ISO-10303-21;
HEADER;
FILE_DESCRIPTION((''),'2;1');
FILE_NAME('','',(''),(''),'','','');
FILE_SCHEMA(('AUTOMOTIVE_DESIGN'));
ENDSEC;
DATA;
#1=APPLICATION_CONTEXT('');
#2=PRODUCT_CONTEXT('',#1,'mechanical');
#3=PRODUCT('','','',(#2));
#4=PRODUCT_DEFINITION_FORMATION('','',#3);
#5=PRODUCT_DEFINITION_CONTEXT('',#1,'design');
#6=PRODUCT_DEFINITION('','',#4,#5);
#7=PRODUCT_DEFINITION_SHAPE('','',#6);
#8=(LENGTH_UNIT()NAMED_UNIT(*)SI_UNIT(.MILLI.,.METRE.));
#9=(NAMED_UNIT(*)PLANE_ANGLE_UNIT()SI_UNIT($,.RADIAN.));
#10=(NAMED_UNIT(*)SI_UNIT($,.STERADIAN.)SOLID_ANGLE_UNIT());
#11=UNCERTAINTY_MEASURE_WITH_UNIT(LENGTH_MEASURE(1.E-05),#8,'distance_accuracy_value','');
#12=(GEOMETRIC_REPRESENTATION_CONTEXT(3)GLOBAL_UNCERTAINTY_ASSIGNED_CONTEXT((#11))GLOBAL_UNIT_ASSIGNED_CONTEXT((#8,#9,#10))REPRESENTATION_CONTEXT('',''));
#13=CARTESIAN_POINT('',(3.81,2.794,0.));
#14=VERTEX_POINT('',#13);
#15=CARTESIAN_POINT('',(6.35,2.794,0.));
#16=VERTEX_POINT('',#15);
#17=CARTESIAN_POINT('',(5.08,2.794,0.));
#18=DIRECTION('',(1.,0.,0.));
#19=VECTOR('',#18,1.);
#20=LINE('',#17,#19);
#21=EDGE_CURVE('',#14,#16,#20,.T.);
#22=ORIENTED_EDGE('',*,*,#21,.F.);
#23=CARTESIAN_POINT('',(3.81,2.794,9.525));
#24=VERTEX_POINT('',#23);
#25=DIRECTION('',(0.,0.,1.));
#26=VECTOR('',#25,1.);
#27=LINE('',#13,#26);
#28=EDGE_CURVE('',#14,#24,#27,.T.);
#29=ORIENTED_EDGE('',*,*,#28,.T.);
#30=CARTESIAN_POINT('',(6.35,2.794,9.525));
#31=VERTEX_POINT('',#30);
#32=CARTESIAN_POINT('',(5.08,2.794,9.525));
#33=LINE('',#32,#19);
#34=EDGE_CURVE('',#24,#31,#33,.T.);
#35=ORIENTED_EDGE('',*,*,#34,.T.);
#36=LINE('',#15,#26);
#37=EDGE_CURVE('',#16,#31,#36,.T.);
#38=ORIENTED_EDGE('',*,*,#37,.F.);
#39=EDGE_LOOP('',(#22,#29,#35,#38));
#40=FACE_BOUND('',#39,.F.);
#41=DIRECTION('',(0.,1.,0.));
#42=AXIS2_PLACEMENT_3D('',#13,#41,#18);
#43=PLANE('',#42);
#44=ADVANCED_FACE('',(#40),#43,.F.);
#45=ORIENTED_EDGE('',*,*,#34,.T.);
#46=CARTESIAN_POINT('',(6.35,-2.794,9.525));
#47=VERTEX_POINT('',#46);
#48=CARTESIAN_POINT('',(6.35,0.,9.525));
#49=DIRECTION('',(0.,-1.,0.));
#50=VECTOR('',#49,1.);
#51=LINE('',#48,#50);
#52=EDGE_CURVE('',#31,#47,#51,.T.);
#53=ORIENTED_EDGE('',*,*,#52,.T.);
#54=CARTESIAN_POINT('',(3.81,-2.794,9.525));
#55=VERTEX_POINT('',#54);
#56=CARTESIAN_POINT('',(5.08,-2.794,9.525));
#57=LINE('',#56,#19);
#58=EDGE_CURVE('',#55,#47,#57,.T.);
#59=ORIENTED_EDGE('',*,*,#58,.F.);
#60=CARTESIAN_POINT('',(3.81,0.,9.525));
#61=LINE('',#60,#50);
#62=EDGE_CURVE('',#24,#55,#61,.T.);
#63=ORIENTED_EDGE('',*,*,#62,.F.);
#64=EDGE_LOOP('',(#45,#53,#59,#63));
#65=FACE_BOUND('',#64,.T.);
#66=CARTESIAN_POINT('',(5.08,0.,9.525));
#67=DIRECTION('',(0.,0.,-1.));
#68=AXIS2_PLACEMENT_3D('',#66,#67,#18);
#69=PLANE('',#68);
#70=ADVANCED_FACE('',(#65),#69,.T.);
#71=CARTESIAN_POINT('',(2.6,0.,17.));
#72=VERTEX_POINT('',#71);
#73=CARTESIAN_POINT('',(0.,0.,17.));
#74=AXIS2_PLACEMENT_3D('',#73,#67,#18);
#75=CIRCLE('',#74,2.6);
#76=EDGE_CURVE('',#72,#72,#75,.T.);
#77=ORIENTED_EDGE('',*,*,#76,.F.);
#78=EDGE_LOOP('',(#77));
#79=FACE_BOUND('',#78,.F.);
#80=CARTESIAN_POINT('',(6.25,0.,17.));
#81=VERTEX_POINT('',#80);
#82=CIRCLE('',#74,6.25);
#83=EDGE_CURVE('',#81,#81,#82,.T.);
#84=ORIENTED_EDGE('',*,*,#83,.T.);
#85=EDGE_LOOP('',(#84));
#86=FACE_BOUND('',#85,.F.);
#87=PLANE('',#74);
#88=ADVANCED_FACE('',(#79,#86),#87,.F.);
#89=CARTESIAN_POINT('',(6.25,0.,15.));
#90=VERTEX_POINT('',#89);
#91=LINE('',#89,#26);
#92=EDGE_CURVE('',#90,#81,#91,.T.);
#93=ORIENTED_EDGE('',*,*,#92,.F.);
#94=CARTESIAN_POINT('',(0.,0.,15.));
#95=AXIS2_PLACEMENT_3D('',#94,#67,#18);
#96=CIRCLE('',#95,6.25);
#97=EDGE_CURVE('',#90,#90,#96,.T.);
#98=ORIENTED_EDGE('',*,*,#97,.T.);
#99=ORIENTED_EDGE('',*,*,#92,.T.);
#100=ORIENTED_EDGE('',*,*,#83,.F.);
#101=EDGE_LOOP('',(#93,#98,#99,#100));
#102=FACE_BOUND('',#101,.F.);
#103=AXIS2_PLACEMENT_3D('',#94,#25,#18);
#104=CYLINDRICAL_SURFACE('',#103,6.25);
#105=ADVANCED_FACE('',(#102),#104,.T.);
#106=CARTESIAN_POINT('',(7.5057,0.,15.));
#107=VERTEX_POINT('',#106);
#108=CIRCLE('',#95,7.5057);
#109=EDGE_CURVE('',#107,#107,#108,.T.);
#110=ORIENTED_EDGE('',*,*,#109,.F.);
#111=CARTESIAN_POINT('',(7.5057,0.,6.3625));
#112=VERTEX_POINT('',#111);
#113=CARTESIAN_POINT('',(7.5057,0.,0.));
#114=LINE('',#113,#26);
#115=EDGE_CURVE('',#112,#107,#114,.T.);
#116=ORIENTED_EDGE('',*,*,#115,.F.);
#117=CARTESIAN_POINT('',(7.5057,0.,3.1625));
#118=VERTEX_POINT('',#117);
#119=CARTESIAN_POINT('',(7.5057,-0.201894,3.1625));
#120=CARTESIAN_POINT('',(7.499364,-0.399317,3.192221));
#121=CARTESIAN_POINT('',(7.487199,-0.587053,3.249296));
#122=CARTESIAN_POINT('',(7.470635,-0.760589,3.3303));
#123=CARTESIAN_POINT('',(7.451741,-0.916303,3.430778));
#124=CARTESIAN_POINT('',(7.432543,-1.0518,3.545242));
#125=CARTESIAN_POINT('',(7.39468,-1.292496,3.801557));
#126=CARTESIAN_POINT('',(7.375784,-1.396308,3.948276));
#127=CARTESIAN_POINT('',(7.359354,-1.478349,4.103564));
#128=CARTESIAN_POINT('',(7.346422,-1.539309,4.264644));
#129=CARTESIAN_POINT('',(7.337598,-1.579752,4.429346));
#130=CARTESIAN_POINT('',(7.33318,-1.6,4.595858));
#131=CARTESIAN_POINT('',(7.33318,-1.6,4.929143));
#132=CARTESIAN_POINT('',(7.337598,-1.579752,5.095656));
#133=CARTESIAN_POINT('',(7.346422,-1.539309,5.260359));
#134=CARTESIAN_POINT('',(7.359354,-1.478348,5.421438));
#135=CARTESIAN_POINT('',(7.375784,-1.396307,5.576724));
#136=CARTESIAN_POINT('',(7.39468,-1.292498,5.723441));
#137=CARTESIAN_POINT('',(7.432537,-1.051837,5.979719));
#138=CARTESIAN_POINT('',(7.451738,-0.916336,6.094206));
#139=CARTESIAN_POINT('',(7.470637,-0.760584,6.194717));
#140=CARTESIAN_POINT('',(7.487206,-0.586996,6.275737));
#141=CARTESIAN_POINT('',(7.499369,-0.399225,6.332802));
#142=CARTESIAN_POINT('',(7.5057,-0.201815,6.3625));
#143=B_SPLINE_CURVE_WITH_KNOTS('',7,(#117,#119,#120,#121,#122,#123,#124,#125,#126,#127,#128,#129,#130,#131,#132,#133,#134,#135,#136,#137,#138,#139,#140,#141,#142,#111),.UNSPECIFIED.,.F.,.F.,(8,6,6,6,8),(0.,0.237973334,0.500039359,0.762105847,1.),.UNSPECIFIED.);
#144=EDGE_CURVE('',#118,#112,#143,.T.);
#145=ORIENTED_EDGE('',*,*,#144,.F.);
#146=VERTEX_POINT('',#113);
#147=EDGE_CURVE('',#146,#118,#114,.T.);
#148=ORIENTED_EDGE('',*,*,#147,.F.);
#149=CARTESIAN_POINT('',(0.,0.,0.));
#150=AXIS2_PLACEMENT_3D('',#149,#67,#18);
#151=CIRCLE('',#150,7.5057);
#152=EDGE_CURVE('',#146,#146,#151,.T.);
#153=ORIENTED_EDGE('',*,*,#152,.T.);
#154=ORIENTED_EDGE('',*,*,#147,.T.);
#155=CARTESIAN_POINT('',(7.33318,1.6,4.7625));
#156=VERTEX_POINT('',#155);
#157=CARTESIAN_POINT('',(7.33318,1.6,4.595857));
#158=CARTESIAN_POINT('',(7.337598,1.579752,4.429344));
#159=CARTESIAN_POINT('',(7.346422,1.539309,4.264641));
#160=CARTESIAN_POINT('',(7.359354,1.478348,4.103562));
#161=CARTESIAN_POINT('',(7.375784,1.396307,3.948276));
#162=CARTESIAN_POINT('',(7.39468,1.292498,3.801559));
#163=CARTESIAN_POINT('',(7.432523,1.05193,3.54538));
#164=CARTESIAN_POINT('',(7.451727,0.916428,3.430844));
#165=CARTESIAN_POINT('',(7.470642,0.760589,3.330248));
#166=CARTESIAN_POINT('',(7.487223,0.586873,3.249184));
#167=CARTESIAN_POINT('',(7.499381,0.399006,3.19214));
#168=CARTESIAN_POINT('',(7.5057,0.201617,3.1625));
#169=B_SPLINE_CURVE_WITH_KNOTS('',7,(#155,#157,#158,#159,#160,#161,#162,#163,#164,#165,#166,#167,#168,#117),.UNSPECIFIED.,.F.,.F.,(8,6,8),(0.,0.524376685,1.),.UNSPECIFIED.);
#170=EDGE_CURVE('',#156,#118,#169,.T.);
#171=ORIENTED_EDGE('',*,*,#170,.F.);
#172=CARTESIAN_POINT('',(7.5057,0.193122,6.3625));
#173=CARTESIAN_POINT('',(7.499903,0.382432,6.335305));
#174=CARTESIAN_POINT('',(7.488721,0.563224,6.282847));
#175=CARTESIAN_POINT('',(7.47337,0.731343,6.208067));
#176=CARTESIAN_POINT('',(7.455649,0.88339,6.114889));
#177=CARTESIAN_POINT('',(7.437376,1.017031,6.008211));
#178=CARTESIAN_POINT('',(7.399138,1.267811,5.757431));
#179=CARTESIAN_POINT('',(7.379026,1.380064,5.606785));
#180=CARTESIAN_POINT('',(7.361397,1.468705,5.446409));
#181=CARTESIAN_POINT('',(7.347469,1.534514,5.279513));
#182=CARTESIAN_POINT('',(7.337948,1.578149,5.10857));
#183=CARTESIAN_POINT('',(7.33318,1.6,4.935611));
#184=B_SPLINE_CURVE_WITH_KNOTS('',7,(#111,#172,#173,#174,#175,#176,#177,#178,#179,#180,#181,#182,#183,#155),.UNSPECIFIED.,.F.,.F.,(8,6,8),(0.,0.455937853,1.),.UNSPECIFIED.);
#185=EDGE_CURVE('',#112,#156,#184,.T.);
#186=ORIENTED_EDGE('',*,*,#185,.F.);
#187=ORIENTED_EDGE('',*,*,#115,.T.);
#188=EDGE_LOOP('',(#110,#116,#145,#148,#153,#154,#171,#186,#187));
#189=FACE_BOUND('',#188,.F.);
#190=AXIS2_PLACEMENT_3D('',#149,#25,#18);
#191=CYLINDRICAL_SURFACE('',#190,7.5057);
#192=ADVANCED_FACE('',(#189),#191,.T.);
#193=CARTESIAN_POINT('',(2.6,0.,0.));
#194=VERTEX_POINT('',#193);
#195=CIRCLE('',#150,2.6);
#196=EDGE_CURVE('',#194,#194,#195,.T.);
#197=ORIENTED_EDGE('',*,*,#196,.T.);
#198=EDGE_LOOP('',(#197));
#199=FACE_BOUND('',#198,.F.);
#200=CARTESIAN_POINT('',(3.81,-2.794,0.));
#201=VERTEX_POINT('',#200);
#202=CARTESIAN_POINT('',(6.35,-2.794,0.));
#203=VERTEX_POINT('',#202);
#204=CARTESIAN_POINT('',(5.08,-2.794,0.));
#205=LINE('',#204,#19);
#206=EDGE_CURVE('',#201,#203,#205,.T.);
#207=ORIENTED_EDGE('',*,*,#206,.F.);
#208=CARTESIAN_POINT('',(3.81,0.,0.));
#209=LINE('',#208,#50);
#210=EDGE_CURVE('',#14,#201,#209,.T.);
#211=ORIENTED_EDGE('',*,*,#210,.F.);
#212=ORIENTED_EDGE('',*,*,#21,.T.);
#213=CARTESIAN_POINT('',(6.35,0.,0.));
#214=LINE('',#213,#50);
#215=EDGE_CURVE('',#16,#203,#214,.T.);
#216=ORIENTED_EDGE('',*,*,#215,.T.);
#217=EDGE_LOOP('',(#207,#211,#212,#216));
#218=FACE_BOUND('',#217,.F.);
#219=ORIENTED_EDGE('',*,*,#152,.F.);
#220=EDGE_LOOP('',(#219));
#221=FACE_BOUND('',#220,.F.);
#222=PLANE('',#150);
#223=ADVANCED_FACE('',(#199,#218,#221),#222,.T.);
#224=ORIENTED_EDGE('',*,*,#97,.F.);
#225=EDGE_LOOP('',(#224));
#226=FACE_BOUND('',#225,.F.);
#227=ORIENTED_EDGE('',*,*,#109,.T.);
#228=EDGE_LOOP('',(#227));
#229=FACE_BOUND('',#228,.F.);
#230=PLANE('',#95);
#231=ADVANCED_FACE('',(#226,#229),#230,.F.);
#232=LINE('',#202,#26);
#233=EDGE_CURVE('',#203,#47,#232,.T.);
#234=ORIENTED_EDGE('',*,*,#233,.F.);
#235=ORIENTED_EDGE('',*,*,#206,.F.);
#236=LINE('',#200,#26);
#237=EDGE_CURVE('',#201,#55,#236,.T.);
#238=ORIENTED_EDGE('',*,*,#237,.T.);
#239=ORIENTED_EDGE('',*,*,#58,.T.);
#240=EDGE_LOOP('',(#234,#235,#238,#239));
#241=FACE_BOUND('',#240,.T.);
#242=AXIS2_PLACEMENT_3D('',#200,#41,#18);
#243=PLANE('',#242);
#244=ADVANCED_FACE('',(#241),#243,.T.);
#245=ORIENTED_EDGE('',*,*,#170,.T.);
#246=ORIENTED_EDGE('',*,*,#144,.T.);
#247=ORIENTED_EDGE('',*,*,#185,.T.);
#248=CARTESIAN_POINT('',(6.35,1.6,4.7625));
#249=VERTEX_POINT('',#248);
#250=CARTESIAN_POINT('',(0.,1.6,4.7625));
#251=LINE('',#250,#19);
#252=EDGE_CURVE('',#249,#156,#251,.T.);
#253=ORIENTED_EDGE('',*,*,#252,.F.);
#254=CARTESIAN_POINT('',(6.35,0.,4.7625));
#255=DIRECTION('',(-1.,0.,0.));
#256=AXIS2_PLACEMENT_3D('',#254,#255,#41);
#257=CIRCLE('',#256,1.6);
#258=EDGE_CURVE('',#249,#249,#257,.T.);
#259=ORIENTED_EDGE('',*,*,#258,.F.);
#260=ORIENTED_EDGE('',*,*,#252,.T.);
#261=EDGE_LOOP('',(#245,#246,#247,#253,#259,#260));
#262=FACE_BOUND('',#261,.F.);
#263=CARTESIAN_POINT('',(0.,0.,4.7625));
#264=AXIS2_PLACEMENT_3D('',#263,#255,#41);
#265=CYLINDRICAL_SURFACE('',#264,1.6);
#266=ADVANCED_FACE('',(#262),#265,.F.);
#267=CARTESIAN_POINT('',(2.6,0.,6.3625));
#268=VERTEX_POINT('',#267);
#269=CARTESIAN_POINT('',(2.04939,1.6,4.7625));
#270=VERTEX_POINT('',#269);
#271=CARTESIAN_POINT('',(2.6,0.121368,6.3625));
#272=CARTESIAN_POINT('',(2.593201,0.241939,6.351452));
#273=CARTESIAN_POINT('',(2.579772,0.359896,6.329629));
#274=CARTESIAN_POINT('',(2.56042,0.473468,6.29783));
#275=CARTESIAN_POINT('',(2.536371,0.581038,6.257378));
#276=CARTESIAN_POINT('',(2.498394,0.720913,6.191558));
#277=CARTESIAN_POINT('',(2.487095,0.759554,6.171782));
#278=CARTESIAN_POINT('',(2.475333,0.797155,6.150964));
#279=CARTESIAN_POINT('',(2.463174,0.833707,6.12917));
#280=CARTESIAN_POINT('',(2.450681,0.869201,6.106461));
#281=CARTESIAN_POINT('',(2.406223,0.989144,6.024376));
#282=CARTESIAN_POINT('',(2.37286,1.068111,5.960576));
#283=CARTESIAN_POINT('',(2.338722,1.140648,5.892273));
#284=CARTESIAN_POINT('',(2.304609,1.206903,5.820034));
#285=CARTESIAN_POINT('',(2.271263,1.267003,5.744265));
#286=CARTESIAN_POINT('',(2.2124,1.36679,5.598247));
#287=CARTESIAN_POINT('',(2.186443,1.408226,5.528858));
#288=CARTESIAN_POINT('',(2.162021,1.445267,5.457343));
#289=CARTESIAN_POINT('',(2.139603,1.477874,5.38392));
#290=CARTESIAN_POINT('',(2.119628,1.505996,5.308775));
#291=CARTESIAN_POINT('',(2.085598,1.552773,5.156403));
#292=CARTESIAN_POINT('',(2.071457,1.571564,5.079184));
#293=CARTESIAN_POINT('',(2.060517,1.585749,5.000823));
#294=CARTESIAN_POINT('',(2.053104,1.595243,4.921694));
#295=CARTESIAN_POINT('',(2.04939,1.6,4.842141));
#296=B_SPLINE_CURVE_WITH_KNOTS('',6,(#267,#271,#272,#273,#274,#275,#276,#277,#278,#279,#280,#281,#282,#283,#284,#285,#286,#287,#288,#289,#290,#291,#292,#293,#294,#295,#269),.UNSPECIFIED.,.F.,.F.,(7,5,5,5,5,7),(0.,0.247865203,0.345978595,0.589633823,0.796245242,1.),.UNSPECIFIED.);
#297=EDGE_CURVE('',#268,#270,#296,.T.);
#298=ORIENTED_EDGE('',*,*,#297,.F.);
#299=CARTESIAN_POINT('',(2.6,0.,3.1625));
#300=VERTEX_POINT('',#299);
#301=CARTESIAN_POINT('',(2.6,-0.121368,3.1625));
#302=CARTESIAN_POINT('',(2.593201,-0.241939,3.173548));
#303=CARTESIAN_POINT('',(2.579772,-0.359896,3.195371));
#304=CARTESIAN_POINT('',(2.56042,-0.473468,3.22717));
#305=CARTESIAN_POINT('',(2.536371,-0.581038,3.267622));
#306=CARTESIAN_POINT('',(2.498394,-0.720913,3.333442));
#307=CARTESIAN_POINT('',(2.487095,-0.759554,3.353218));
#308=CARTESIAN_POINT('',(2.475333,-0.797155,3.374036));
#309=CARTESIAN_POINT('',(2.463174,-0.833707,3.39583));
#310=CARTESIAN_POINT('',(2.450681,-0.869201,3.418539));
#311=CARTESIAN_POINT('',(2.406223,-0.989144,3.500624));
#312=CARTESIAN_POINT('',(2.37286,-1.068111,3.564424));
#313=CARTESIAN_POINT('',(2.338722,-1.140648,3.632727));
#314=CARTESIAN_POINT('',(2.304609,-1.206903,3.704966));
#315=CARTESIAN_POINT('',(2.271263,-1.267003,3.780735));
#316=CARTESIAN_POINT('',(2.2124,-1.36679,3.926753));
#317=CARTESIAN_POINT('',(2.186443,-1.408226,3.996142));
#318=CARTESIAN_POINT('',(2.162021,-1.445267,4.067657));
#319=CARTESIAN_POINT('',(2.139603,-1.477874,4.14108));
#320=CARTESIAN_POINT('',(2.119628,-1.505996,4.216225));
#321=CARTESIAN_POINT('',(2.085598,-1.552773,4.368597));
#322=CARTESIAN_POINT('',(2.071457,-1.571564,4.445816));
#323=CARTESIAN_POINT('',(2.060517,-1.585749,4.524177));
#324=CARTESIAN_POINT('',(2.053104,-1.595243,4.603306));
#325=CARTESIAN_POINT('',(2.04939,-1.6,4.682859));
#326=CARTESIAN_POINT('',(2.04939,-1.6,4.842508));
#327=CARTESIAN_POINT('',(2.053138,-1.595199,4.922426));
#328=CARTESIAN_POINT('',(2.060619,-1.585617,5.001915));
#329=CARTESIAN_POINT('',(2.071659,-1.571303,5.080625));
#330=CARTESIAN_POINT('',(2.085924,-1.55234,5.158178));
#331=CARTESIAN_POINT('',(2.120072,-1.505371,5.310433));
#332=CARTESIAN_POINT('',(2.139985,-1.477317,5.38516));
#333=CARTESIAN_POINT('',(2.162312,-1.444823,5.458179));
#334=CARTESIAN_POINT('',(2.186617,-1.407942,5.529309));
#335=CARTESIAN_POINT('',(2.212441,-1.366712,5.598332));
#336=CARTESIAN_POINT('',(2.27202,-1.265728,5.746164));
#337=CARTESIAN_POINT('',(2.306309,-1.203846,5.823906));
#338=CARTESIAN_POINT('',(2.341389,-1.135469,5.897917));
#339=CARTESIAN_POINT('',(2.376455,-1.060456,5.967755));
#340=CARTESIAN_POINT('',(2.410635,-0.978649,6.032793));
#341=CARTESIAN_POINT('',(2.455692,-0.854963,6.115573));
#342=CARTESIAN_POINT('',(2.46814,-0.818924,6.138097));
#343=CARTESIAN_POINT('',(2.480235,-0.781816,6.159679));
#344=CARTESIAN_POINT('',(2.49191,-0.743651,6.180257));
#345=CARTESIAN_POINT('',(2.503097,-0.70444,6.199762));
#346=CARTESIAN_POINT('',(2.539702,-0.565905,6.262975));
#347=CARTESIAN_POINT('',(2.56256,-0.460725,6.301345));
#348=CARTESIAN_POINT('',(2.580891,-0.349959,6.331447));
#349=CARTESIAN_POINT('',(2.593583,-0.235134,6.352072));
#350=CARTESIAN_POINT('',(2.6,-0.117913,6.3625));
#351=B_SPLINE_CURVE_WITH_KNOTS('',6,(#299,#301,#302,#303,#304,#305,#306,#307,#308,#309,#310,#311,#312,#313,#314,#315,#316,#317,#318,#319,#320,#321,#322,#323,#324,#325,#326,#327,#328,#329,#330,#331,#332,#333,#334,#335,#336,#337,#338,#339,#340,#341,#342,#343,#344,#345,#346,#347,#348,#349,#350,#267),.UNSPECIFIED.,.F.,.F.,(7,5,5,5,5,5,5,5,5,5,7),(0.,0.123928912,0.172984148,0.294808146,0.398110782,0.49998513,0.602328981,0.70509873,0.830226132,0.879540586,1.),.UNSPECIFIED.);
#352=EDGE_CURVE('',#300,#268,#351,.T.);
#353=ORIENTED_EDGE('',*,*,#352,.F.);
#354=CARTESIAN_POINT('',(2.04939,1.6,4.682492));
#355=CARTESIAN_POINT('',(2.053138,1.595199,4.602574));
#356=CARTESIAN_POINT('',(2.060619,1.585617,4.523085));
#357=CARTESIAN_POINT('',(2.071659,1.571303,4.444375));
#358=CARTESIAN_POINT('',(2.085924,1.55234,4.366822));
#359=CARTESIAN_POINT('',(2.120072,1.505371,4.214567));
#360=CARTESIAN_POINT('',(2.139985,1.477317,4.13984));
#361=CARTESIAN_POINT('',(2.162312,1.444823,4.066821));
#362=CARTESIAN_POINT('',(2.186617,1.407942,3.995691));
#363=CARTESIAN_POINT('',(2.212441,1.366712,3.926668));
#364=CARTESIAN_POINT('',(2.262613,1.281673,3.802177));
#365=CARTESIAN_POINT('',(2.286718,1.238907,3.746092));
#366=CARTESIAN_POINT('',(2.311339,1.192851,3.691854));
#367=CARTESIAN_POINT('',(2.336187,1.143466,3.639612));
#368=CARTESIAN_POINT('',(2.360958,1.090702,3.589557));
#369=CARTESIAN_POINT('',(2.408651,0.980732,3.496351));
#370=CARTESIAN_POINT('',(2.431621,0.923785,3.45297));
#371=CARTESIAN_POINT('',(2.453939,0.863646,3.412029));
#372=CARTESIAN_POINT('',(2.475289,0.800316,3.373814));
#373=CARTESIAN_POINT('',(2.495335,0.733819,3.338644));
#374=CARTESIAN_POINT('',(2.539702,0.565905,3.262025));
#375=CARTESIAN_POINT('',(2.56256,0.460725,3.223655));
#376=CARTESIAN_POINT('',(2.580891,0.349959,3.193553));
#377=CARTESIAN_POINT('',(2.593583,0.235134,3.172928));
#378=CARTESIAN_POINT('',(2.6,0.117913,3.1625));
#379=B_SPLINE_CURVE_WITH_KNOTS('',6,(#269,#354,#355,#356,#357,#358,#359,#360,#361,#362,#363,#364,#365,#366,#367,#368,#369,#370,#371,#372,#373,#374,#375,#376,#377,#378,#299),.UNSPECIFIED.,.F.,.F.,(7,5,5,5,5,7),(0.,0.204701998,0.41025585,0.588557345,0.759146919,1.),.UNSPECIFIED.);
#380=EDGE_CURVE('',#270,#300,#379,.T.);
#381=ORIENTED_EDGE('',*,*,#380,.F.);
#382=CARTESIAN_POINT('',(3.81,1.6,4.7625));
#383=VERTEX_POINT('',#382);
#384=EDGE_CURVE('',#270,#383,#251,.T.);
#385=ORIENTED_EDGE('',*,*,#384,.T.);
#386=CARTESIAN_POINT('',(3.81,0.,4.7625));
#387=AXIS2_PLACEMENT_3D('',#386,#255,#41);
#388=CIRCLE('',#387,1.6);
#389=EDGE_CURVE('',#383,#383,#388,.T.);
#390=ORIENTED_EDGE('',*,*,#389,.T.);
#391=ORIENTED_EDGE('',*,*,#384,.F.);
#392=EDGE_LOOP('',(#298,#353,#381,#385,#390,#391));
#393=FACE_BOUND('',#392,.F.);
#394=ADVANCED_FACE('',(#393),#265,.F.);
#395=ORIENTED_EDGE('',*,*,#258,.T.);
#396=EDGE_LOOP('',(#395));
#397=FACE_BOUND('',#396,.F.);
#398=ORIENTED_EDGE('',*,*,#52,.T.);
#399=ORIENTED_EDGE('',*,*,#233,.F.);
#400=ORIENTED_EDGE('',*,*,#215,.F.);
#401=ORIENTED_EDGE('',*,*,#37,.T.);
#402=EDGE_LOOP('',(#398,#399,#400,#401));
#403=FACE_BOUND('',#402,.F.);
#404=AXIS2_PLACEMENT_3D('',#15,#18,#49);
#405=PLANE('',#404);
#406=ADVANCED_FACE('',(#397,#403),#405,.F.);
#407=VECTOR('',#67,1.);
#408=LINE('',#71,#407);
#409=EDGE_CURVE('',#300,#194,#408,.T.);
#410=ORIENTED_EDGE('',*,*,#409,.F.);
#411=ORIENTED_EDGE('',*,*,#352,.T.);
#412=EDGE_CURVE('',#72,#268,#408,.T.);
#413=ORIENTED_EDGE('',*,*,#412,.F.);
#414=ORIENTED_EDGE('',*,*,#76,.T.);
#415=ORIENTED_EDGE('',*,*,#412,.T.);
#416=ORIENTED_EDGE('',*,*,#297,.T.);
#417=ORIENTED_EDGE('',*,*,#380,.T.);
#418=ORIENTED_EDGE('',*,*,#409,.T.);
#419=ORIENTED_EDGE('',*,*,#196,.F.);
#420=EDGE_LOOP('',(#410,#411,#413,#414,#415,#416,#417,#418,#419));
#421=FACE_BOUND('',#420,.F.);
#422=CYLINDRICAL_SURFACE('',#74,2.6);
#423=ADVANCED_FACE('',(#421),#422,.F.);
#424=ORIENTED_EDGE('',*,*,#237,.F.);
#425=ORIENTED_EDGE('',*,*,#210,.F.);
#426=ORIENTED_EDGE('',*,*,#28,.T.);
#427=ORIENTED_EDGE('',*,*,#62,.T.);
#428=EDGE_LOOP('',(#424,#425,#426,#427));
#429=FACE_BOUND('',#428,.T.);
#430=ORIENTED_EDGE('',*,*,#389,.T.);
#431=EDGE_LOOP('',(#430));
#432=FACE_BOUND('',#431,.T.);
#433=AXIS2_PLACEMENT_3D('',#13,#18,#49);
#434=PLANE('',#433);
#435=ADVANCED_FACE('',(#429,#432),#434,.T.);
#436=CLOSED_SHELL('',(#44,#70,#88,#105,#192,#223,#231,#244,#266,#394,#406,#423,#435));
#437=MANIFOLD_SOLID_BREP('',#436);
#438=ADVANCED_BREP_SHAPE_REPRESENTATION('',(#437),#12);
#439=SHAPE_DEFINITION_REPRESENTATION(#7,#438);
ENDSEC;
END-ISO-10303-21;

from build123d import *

# Parameters (mm, degrees)
F2_W     = 2.54
F2_H     = 5.588
F3_DEPTH = 9.525
F5_D     = 3.2
F5_DEPTH = 7.5067


with BuildPart() as f1:
    # F0 (on Front) → F1 (revolve)
    with BuildSketch(Plane.XZ):
        Polygon((2.6, 17), (2.6, 0), (7.5057, 0), (7.5057, 15), (6.25, 15), (6.25, 17), align=None)
    revolve(axis=Axis((0, 0, 12.7238426358), (0, 0, -1)))

    # F2 (on face) → F3 (cut)
    with BuildSketch(Plane(origin=(0, 0, 0), x_dir=(1, 0, 0), z_dir=(0, 0, -1))):
        with Locations((5.08, 0)):
            Rectangle(F2_W, F2_H)
    extrude(amount=-F3_DEPTH, mode=Mode.SUBTRACT)

    # F5 (through all, one way)
    with BuildSketch(Plane(origin=(0, 0, 0), x_dir=(0, 1, 0), z_dir=(-1, 0, 0))):
        with Locations((0, -4.7625)):
            Circle(F5_D / 2)
    extrude(amount=-F5_DEPTH, mode=Mode.SUBTRACT)


solid = f1.part
